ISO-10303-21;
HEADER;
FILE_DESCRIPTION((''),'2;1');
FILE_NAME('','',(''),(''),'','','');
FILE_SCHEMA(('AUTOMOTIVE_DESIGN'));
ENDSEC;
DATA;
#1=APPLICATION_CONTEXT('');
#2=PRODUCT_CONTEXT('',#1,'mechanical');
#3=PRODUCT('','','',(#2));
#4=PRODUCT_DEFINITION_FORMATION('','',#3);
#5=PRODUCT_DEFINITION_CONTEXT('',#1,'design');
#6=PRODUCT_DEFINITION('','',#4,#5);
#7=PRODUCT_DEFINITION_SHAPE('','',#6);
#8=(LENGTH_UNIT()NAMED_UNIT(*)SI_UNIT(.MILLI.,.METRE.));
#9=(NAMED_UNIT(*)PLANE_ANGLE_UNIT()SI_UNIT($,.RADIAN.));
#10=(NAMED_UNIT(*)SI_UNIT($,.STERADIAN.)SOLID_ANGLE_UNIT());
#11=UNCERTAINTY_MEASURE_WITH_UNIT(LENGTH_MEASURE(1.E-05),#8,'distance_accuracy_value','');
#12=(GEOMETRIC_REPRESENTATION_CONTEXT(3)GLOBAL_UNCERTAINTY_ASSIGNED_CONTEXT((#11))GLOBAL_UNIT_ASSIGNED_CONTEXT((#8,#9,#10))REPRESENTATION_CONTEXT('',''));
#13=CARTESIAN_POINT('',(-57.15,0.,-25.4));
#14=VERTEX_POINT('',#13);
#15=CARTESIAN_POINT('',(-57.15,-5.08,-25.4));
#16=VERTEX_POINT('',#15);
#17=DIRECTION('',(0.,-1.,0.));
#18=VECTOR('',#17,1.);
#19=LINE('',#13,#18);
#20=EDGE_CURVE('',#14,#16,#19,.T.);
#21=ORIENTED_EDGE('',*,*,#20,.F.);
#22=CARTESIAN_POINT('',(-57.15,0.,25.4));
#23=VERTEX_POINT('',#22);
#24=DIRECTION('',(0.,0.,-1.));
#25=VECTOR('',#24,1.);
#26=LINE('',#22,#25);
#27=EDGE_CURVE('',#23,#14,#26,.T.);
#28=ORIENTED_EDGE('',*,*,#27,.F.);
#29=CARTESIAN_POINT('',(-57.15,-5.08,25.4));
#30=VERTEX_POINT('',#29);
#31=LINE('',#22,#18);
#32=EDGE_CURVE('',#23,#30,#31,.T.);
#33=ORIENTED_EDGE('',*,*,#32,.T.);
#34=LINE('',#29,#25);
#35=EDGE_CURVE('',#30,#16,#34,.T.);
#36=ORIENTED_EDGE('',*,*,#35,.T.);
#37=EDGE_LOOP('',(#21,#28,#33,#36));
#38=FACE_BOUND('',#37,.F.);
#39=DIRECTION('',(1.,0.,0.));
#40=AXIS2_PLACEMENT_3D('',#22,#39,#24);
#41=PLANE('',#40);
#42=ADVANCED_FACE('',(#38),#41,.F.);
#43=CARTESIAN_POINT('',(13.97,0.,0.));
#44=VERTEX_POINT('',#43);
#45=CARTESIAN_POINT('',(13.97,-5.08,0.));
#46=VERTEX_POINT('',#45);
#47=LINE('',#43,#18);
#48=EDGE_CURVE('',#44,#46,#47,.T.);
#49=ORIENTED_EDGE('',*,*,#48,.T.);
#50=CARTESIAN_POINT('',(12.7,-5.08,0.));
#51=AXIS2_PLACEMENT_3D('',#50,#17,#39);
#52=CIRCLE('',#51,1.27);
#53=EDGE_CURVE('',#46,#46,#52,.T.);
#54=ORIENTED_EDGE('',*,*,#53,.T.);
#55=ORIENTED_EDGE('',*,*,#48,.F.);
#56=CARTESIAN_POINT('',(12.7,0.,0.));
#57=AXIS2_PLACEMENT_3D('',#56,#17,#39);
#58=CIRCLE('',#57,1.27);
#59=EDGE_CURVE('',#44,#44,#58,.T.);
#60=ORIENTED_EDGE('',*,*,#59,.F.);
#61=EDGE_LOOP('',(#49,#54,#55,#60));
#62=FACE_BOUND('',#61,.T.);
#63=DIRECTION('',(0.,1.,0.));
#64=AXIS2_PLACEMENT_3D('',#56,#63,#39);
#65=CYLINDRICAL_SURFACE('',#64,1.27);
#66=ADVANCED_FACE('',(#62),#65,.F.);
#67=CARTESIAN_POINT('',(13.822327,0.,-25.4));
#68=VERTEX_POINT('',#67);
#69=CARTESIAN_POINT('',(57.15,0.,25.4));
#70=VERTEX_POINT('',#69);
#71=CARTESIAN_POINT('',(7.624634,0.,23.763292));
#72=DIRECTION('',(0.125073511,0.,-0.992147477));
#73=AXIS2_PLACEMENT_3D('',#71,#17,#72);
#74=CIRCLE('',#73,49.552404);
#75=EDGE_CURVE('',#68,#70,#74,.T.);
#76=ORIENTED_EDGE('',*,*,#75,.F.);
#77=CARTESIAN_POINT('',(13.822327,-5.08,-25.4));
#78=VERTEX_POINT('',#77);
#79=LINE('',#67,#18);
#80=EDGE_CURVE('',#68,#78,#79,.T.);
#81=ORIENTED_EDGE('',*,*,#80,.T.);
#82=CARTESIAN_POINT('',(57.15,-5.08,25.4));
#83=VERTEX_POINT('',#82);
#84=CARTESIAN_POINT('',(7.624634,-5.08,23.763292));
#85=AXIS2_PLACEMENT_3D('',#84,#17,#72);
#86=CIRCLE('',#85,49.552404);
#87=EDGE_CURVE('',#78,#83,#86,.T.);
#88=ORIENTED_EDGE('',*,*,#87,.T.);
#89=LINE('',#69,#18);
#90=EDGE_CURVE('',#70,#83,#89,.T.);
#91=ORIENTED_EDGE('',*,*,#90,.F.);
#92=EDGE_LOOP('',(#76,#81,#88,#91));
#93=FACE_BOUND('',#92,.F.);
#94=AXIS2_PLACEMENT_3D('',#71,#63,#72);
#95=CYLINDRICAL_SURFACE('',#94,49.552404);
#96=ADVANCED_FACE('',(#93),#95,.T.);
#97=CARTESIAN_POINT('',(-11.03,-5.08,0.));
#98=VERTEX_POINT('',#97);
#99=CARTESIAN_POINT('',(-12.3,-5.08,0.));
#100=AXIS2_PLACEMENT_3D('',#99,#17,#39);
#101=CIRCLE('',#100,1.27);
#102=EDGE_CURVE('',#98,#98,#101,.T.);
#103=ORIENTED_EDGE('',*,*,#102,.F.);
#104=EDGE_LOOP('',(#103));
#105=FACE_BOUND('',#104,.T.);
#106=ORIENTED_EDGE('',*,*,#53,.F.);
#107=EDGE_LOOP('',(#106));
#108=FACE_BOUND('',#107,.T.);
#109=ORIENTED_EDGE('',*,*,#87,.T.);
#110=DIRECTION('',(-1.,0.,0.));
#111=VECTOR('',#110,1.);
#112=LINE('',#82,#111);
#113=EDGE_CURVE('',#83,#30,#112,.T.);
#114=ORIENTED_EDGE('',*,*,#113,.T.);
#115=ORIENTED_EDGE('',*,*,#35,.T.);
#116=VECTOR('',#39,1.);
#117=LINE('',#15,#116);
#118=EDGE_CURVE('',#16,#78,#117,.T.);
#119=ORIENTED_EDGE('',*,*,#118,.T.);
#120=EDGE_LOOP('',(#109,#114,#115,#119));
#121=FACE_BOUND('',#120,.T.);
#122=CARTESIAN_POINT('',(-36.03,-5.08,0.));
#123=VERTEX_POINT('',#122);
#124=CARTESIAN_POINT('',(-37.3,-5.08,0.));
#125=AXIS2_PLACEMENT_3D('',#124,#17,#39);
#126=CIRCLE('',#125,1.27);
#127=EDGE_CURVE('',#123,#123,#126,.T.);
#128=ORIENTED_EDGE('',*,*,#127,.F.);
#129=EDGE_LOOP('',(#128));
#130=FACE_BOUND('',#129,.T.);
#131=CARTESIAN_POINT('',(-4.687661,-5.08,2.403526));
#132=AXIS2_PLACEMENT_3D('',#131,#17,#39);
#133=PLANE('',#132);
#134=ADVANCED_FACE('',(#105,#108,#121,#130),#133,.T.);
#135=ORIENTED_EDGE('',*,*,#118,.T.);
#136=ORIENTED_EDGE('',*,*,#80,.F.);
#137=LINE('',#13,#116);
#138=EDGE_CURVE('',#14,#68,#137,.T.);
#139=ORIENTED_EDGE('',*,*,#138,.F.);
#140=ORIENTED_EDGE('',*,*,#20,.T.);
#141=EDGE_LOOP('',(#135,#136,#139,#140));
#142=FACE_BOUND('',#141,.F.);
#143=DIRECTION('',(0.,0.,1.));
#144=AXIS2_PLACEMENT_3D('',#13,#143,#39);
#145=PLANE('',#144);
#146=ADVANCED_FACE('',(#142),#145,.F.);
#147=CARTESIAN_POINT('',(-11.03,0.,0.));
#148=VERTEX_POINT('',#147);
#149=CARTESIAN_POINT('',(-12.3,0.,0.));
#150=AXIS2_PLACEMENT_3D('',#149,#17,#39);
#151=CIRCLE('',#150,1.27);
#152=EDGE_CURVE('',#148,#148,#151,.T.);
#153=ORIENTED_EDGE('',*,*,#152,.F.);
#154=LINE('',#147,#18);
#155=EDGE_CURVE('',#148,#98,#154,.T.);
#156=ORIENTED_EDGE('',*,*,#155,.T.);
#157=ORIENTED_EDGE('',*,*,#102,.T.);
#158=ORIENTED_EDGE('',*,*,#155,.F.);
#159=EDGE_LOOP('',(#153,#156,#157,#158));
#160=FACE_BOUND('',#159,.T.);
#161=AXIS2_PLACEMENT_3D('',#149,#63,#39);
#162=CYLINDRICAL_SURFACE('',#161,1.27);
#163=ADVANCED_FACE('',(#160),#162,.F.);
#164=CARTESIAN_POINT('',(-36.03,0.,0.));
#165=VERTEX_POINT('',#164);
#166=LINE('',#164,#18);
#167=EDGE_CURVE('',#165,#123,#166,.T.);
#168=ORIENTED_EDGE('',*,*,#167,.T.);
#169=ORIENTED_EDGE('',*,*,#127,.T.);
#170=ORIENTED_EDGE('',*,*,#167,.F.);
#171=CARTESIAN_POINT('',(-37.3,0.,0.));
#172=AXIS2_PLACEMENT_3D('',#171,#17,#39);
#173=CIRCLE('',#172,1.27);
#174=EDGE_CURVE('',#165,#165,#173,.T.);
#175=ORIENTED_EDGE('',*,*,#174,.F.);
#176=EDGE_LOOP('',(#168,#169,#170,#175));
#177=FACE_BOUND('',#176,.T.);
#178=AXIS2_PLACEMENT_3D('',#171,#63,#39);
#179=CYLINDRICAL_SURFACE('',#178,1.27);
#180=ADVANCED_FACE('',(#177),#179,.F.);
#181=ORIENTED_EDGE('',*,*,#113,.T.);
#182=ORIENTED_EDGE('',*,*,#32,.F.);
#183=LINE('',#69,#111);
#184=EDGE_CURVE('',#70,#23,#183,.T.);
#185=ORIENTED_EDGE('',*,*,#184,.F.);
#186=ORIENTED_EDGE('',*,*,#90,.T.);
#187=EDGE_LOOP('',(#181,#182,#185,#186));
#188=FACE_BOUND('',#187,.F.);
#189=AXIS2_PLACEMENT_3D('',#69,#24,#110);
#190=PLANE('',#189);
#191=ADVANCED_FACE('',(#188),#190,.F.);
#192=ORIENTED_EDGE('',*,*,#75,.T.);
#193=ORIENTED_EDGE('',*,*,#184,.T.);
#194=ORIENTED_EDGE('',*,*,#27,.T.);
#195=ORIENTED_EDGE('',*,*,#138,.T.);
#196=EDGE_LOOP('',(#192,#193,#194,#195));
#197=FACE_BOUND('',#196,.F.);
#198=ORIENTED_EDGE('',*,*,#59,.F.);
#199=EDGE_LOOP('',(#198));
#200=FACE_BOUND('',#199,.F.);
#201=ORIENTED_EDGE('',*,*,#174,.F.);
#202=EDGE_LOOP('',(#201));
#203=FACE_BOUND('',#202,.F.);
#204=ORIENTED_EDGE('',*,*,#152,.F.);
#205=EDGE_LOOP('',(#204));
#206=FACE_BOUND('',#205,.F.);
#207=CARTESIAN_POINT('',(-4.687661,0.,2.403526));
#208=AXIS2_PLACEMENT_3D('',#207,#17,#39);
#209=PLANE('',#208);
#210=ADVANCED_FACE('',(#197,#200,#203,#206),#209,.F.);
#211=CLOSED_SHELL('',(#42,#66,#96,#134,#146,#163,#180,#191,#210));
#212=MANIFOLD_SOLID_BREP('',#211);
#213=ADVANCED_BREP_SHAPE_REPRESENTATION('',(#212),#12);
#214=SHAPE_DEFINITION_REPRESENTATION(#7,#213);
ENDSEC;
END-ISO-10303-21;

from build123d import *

# Parameters (mm, degrees)
F0_R     = 1.27
F1_DEPTH = 5.08


with BuildPart() as f1:
    # F0 (on Front) → F1 (new body)
    with BuildSketch(Plane.XZ):
        with BuildLine():
            Line((-57.15, -25.4), (13.822327, -25.4))
            ThreePointArc((13.822327, -25.4), (45.326422, -8.392825), (57.15, 25.4))
            Line((57.15, 25.4), (-57.15, 25.4))
            Line((-57.15, 25.4), (-57.15, -25.4))
        make_face()
        with Locations((-37.3, 0)):
            Circle(F0_R, mode=Mode.SUBTRACT)
        with Locations((-12.3, 0)):
            Circle(F0_R, mode=Mode.SUBTRACT)
        with Locations((12.7, 0)):
            Circle(F0_R, mode=Mode.SUBTRACT)
    extrude(amount=F1_DEPTH)


solid = f1.part
